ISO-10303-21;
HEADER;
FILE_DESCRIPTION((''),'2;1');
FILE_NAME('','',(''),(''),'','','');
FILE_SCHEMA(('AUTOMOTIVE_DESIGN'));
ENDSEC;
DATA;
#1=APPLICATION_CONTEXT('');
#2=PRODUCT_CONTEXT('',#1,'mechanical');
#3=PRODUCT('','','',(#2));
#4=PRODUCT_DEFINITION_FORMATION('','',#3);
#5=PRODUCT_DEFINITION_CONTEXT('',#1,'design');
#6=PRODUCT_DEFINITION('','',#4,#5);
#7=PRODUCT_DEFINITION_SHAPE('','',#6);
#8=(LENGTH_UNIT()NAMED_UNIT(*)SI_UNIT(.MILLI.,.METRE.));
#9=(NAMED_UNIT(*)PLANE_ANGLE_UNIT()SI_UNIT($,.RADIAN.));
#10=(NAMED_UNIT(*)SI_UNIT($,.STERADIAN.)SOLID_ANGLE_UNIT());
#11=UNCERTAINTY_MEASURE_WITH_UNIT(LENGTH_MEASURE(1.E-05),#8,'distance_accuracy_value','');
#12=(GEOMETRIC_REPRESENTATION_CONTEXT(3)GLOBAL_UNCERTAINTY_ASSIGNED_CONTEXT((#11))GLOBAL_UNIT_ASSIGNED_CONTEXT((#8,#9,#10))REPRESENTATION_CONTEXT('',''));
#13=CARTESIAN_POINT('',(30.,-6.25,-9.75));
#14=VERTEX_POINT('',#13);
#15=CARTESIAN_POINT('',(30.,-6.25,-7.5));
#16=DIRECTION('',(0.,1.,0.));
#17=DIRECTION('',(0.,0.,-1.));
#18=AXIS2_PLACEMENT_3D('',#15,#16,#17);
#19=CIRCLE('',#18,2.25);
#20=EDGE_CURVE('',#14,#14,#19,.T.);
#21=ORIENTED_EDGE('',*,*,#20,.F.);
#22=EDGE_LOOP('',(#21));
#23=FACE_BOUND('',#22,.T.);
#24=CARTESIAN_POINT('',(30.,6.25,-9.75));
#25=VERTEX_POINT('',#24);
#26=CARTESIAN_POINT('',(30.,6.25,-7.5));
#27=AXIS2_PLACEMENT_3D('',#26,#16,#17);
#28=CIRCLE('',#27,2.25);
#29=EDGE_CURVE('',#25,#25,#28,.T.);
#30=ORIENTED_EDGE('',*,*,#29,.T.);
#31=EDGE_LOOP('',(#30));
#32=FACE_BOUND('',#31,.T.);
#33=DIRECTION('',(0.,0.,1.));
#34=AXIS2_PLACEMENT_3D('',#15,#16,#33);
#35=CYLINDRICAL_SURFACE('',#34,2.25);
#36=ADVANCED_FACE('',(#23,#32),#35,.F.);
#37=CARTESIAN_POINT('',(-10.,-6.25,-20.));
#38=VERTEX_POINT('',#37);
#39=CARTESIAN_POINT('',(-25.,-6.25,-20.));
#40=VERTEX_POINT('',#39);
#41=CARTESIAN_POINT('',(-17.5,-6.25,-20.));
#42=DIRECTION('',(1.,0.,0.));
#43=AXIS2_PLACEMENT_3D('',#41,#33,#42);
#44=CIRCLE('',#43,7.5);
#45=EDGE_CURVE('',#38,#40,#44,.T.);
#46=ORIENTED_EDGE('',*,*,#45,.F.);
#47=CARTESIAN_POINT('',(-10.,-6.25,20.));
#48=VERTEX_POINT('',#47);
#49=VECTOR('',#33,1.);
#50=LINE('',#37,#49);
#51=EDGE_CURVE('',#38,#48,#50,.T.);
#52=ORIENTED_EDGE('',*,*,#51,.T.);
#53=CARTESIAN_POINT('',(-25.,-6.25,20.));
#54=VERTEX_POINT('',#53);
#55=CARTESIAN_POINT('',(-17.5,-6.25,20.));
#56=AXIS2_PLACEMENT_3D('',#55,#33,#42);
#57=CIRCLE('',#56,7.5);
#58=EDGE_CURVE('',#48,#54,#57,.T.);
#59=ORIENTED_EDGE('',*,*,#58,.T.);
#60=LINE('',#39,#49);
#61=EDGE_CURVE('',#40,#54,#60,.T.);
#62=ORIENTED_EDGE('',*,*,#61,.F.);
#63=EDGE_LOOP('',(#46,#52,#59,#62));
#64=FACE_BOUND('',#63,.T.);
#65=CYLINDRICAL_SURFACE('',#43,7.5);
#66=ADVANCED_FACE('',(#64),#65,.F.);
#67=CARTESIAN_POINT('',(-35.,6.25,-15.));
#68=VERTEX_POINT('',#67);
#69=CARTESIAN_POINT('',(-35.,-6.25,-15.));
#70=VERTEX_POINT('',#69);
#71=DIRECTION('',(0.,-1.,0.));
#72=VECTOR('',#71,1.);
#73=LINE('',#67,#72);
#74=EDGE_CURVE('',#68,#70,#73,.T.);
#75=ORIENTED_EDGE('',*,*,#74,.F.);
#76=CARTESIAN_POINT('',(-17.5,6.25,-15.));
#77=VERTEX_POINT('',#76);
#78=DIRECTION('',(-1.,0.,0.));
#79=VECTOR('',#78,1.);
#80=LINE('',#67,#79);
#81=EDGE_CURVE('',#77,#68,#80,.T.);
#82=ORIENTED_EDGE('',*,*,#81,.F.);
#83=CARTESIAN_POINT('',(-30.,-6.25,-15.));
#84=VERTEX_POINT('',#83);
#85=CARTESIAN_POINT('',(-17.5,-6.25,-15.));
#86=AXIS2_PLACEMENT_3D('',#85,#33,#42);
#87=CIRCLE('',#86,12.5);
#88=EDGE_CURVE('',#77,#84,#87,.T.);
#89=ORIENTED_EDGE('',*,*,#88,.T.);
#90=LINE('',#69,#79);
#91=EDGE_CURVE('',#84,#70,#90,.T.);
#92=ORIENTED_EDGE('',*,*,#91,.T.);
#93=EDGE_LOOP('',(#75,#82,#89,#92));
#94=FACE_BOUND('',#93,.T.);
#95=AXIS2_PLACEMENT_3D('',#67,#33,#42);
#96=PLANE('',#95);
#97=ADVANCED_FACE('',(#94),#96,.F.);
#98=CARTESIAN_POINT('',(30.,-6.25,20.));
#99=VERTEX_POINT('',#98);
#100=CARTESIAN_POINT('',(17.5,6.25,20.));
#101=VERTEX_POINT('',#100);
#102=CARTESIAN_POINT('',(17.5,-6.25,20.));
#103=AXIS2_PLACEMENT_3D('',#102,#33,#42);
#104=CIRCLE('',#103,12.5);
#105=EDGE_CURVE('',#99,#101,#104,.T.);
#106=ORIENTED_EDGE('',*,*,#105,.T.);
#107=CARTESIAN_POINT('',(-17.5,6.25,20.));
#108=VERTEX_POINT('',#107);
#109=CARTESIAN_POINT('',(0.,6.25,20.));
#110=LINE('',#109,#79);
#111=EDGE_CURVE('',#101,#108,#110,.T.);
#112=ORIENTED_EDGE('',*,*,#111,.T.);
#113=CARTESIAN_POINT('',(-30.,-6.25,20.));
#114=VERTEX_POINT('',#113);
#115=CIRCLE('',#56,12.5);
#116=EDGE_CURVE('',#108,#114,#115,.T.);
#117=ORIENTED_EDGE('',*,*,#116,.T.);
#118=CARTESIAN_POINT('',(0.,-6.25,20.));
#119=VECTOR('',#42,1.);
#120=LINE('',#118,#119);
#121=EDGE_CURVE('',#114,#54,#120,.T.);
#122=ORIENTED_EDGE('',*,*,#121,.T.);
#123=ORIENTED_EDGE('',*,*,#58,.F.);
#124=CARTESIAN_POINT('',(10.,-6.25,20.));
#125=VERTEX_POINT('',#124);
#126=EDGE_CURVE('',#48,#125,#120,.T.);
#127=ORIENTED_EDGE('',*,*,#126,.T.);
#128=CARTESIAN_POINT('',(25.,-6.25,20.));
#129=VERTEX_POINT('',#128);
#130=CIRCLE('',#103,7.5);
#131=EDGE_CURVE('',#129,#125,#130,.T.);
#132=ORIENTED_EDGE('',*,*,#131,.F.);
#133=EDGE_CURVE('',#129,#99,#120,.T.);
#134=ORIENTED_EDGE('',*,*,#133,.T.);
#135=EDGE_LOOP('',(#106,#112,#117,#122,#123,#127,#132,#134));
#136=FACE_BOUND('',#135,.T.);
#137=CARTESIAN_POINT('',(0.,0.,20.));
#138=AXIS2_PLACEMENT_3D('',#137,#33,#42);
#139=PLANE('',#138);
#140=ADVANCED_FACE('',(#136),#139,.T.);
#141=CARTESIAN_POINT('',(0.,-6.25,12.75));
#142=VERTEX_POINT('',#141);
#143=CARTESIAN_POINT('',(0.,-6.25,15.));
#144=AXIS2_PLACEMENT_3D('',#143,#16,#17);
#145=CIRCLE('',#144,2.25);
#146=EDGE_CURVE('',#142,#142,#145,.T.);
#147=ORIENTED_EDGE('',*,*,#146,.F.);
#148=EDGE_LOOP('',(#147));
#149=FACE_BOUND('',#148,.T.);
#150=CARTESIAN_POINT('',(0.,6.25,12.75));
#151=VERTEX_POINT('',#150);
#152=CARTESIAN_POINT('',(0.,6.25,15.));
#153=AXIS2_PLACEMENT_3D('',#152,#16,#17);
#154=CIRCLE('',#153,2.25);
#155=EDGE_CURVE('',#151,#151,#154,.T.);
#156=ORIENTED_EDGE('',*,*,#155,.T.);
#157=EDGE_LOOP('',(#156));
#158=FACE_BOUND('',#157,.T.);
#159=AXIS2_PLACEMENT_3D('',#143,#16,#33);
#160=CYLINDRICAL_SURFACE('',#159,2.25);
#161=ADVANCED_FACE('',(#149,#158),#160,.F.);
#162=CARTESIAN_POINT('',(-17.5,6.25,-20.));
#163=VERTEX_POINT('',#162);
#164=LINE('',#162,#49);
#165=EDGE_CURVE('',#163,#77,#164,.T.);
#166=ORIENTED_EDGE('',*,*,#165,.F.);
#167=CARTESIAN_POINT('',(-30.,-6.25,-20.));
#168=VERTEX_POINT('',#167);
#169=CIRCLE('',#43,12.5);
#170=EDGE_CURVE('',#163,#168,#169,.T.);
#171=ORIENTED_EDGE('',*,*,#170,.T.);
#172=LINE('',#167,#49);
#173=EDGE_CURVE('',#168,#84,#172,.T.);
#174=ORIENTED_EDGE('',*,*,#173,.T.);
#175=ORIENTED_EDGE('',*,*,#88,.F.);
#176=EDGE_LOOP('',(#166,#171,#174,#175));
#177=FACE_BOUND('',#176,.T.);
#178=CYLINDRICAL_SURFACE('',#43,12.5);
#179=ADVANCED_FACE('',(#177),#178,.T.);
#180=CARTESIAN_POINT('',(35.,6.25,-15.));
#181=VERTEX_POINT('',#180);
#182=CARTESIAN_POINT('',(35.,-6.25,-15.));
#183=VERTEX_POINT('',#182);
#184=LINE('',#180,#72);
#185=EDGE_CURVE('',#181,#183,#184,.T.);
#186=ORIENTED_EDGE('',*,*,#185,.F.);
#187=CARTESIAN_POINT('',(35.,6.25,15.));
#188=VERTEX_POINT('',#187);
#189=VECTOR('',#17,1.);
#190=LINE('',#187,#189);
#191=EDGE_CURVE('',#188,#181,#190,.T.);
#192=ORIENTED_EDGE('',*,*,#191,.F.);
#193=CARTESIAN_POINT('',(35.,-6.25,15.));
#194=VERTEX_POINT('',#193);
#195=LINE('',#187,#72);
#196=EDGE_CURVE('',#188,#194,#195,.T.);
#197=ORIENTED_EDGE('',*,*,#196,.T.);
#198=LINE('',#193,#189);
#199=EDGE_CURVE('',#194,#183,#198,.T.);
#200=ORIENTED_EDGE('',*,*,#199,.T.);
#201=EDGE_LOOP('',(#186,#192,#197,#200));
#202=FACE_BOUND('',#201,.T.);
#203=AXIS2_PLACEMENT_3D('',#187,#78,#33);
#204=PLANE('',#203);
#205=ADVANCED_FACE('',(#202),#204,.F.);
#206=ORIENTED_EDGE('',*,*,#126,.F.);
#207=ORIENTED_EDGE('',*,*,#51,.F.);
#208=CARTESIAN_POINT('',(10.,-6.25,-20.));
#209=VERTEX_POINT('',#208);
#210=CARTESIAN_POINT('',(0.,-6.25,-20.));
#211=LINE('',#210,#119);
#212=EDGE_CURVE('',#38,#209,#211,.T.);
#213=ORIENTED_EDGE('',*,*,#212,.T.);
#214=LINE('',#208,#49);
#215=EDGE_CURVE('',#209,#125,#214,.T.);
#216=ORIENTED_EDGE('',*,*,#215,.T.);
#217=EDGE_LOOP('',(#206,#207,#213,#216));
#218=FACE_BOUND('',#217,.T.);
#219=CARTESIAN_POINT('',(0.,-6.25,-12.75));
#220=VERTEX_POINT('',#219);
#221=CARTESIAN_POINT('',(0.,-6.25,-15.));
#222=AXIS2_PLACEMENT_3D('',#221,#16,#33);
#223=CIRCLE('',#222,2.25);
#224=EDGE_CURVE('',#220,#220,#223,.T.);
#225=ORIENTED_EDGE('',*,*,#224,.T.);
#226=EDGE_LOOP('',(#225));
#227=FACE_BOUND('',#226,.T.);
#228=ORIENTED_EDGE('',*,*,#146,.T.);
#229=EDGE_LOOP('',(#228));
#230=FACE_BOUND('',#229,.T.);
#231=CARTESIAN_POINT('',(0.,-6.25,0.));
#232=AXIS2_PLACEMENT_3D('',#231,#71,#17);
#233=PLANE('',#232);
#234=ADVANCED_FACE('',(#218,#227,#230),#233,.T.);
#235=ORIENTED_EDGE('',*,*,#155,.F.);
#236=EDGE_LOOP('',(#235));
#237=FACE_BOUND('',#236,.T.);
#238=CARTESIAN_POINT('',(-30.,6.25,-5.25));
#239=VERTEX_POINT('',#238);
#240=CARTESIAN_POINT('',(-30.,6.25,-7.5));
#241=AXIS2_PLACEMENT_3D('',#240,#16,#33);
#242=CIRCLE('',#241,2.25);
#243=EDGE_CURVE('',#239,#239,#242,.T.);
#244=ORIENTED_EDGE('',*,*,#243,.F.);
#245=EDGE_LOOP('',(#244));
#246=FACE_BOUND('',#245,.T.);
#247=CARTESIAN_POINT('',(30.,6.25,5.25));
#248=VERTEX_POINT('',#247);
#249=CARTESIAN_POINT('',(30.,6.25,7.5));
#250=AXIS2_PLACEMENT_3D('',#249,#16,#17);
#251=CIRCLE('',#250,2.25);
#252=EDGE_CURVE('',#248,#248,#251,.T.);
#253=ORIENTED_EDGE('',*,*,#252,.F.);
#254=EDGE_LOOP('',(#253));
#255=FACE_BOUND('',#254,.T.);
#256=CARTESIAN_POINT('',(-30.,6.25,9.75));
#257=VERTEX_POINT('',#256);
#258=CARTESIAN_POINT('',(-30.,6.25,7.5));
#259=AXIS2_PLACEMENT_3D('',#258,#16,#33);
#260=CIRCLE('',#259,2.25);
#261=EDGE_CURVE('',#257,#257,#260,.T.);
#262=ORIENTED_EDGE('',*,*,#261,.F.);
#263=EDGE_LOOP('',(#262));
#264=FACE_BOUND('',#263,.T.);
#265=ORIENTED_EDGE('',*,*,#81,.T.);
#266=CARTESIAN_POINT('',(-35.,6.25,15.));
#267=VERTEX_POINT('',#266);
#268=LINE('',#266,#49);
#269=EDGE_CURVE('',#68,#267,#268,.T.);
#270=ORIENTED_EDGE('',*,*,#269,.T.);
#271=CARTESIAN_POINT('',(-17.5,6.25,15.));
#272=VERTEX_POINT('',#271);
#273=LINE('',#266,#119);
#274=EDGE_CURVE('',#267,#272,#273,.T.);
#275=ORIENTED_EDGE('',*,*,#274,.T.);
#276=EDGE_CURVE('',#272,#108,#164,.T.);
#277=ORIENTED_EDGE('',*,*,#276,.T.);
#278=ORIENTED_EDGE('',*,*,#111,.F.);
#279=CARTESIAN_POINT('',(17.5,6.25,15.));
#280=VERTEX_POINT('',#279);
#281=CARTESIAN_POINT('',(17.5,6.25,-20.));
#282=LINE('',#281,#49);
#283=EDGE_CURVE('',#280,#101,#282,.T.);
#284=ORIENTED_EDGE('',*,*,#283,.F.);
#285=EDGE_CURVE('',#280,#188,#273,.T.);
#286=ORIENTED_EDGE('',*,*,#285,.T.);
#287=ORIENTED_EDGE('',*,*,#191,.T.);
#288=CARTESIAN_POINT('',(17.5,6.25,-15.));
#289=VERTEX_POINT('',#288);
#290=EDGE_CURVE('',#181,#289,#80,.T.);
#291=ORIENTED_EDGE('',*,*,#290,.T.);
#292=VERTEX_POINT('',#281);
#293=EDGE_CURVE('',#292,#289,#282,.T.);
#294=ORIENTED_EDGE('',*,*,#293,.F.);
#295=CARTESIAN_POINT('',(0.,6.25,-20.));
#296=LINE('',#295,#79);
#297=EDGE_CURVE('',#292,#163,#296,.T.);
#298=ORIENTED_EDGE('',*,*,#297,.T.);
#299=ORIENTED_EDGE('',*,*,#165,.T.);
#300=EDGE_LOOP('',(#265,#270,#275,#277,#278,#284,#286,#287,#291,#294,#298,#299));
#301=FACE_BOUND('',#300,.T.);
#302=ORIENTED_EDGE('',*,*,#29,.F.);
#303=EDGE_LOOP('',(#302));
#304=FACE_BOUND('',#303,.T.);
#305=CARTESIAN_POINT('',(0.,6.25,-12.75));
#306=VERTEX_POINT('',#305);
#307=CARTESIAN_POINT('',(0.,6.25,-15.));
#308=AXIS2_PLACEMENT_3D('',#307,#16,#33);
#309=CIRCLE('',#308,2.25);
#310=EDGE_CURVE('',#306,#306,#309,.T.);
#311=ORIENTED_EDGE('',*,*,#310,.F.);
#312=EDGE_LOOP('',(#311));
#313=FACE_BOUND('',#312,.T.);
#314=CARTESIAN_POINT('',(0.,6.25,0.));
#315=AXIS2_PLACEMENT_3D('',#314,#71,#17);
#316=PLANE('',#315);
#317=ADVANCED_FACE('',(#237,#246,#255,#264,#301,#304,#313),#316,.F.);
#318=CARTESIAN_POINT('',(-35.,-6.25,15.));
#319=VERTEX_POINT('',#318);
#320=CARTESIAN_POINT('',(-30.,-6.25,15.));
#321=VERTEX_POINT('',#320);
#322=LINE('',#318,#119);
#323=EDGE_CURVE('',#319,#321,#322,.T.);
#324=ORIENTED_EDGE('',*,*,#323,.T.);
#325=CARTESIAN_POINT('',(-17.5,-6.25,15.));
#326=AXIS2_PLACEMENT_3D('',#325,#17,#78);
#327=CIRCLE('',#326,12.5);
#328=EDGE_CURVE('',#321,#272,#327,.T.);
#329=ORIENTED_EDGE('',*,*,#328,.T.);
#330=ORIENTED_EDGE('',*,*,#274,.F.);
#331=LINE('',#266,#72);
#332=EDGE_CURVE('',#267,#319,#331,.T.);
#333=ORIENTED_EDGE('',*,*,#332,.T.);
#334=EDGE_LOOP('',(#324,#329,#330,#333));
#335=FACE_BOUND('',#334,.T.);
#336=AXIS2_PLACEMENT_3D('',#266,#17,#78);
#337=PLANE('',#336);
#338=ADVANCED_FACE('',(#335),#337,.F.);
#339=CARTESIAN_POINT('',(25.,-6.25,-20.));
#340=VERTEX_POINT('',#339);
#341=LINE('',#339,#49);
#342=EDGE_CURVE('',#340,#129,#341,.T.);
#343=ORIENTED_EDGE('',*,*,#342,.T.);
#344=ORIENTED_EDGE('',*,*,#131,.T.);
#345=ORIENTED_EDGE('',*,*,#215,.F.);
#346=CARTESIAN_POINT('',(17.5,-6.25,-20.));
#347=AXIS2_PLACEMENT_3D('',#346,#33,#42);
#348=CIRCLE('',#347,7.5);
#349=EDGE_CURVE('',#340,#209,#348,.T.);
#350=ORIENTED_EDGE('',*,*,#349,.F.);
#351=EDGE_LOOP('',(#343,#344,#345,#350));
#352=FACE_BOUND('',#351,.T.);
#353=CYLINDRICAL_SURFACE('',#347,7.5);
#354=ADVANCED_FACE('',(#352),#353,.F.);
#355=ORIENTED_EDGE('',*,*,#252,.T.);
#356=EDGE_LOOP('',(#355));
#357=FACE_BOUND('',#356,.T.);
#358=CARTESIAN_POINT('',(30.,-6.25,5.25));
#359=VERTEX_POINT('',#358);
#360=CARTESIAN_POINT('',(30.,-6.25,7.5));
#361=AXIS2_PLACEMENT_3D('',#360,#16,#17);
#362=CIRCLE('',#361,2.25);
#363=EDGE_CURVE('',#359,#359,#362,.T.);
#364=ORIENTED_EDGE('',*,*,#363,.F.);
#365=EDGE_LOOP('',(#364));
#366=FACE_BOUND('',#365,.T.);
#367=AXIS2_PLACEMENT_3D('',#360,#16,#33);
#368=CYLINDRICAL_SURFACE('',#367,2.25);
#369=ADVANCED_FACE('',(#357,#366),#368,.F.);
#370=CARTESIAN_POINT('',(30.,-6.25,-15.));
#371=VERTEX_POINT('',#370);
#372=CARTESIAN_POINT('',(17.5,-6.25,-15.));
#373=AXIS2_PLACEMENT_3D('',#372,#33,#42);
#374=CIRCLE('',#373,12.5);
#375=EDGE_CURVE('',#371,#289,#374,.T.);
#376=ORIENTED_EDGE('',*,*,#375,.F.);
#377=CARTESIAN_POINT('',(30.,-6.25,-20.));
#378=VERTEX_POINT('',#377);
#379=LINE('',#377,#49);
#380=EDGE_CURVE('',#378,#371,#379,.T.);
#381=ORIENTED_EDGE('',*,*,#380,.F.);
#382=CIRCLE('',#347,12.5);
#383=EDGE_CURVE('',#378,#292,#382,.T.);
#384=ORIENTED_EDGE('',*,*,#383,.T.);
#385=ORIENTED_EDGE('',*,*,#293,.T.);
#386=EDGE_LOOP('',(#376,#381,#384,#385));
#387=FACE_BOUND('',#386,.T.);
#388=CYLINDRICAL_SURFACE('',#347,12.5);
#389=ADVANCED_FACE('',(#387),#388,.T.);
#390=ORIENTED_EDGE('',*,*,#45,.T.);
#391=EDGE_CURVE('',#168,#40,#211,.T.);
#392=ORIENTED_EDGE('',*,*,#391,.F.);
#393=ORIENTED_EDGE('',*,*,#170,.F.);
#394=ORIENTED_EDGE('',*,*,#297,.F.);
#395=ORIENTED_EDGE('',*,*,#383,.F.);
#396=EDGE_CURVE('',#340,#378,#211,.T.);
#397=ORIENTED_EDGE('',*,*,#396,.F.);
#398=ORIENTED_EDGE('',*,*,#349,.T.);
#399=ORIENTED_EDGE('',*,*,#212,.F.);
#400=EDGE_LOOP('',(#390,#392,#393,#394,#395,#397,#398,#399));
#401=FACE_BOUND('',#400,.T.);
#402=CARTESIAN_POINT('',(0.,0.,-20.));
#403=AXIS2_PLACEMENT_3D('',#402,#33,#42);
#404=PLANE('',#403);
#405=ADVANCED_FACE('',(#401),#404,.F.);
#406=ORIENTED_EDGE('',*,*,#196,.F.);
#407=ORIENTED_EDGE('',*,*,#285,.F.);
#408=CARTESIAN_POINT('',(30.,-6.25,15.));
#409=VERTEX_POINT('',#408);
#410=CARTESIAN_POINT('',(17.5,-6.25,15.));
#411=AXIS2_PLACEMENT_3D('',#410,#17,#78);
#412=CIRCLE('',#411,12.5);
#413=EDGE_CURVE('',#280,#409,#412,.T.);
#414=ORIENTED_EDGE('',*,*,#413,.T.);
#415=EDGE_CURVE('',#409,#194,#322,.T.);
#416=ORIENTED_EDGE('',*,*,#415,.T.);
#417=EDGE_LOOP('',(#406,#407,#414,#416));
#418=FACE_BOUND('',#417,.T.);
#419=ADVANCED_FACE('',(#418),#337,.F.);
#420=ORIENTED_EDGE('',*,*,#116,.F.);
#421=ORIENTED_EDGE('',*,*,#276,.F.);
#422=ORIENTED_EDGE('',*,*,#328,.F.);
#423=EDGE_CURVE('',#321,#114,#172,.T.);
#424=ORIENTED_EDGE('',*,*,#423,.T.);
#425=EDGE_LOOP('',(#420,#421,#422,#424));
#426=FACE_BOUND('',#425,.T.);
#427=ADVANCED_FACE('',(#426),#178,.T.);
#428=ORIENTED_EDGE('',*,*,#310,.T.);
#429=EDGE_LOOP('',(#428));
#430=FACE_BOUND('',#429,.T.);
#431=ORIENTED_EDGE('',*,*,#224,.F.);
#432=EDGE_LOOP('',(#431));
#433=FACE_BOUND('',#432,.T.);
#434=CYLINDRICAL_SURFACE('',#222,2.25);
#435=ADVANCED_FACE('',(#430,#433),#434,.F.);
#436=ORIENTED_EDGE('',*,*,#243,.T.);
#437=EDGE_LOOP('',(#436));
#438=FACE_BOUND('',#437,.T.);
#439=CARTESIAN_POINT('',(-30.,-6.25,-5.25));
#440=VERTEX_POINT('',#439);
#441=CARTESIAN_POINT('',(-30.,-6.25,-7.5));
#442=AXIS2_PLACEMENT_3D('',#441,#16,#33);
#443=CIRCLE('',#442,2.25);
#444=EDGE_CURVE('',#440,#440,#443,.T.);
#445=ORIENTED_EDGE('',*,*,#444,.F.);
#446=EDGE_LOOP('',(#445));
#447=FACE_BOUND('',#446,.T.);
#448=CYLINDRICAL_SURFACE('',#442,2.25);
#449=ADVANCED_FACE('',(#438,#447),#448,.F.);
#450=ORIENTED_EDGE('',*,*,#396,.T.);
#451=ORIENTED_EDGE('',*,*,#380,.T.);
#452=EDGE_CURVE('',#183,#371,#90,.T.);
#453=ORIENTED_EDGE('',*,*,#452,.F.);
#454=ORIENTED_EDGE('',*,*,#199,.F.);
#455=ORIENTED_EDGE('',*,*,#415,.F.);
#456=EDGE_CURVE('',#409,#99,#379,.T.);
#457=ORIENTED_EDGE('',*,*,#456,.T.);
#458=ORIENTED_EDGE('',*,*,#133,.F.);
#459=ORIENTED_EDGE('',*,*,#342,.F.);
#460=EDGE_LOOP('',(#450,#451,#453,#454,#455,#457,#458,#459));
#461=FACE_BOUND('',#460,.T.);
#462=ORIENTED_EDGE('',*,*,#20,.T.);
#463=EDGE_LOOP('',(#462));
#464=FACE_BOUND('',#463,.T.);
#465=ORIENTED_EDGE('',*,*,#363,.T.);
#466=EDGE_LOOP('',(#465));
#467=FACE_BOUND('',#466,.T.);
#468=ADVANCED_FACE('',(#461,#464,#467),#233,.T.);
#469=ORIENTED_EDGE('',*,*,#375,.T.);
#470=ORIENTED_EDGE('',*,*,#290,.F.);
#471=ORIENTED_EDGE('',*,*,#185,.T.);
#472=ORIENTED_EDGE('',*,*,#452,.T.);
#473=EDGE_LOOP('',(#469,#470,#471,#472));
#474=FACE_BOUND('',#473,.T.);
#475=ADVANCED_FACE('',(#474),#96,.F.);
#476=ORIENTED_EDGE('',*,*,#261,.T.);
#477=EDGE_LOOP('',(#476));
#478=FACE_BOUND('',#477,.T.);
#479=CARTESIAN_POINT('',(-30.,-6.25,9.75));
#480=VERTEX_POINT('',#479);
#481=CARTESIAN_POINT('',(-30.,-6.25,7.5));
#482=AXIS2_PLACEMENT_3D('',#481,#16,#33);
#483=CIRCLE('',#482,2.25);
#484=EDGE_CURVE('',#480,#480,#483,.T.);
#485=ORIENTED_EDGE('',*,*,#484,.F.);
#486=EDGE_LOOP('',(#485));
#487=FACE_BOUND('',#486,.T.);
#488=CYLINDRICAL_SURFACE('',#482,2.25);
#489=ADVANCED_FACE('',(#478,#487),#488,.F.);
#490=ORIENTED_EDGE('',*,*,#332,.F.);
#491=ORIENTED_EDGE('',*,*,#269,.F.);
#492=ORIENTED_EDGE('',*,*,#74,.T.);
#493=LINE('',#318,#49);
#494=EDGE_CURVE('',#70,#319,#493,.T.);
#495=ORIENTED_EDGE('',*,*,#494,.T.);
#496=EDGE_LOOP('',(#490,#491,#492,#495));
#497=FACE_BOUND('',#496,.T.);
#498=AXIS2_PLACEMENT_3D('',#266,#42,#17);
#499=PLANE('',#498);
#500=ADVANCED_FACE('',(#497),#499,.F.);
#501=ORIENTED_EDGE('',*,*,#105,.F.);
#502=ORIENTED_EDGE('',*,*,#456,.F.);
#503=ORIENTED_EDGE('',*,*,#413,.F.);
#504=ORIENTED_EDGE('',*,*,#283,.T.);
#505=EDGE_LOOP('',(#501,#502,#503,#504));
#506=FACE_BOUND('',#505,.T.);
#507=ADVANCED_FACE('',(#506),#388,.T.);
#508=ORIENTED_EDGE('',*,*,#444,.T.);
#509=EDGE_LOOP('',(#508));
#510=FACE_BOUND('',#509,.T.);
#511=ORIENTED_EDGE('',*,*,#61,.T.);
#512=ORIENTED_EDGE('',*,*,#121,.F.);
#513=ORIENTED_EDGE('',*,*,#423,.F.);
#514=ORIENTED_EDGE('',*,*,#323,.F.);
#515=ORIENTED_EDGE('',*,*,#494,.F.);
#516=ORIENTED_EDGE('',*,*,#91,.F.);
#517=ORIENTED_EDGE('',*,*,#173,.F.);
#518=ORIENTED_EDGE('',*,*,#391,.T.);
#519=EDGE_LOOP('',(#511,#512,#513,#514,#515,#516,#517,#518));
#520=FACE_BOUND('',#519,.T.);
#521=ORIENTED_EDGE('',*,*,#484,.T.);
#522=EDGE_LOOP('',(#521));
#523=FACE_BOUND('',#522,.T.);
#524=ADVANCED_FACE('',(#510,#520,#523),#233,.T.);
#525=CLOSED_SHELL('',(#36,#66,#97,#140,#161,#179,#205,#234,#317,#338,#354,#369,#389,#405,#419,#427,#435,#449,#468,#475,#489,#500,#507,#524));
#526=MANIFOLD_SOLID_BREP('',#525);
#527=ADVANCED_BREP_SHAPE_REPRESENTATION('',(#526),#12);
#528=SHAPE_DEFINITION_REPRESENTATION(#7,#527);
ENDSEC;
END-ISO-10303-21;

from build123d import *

# Parameters (mm, degrees)
SKETCH1_W                = 70
SKETCH1_H                = 30
BOSS_EXTRUDE1_DEPTH      = 6.25
BOSS_EXTRUDE2_DEPTH      = 5
BOSS_EXTRUDE2_DEPTH_BACK = 35
CUT_EXTRUDE1_DEPTH       = 40
SKETCH5_R                = 2.25
CUT_EXTRUDE2_DEPTH       = 12.5


with BuildPart() as part:
    # Sketch1 → Boss-Extrude1 (new body, symmetric)
    with BuildSketch(Plane(origin=(0, 0, 0), x_dir=(1, 0, 0), z_dir=(0, 1, 0))):
        Rectangle(SKETCH1_W, SKETCH1_H)
    extrude(amount=BOSS_EXTRUDE1_DEPTH, both=True)

    # Sketch2 → Boss-Extrude2 (add, two sides)
    with BuildSketch(Plane.XY.offset(15)) as boss_extrude2_sk:
        with BuildLine():
            Line((5, -6.25), (10, -6.25))
            ThreePointArc((10, -6.25), (17.5, 1.25), (25, -6.25))
            Line((25, -6.25), (30, -6.25))
            ThreePointArc((30, -6.25), (26.338834765, 2.588834765), (17.5, 6.25))
            Line((17.5, 6.25), (-17.5, 6.25))
            ThreePointArc((-17.5, 6.25), (-26.338834765, 2.588834765), (-30, -6.25))
            Line((-30, -6.25), (-25, -6.25))
            ThreePointArc((-25, -6.25), (-17.5, 1.25), (-10, -6.25))
            Line((-10, -6.25), (-5, -6.25))
            Line((-5, -6.25), (5, -6.25))
        make_face()
    extrude(amount=BOSS_EXTRUDE2_DEPTH)
    extrude(boss_extrude2_sk.sketch, amount=-BOSS_EXTRUDE2_DEPTH_BACK)

    # Sketch4 → Cut-Extrude1 (cut)
    with BuildSketch(Plane.XY.offset(20)):
        with BuildLine():
            Line((-25, -6.25), (-10, -6.25))
            ThreePointArc((-10, -6.25), (-17.5, 1.25), (-25, -6.25))
        make_face()
        with BuildLine():
            Line((10, -6.25), (25, -6.25))
            ThreePointArc((25, -6.25), (17.5, 1.25), (10, -6.25))
        make_face()
    extrude(amount=-CUT_EXTRUDE1_DEPTH, mode=Mode.SUBTRACT)

    # Sketch5 → Cut-Extrude2 (cut)
    with BuildSketch(Plane(origin=(0, 6.25, 0), x_dir=(1, 0, 0), z_dir=(0, 1, 0))):
        with Locations((-30, 7.5)):
            Circle(SKETCH5_R)
        with Locations((-30, -7.5)):
            Circle(SKETCH5_R)
        with Locations((30, -7.5)):
            Circle(SKETCH5_R)
        with Locations((30, 7.5)):
            Circle(SKETCH5_R)
        with Locations((0, 15)):
            Circle(SKETCH5_R)
        with Locations((0, -15)):
            Circle(SKETCH5_R)
    extrude(amount=-CUT_EXTRUDE2_DEPTH, mode=Mode.SUBTRACT)


solid = part.part
